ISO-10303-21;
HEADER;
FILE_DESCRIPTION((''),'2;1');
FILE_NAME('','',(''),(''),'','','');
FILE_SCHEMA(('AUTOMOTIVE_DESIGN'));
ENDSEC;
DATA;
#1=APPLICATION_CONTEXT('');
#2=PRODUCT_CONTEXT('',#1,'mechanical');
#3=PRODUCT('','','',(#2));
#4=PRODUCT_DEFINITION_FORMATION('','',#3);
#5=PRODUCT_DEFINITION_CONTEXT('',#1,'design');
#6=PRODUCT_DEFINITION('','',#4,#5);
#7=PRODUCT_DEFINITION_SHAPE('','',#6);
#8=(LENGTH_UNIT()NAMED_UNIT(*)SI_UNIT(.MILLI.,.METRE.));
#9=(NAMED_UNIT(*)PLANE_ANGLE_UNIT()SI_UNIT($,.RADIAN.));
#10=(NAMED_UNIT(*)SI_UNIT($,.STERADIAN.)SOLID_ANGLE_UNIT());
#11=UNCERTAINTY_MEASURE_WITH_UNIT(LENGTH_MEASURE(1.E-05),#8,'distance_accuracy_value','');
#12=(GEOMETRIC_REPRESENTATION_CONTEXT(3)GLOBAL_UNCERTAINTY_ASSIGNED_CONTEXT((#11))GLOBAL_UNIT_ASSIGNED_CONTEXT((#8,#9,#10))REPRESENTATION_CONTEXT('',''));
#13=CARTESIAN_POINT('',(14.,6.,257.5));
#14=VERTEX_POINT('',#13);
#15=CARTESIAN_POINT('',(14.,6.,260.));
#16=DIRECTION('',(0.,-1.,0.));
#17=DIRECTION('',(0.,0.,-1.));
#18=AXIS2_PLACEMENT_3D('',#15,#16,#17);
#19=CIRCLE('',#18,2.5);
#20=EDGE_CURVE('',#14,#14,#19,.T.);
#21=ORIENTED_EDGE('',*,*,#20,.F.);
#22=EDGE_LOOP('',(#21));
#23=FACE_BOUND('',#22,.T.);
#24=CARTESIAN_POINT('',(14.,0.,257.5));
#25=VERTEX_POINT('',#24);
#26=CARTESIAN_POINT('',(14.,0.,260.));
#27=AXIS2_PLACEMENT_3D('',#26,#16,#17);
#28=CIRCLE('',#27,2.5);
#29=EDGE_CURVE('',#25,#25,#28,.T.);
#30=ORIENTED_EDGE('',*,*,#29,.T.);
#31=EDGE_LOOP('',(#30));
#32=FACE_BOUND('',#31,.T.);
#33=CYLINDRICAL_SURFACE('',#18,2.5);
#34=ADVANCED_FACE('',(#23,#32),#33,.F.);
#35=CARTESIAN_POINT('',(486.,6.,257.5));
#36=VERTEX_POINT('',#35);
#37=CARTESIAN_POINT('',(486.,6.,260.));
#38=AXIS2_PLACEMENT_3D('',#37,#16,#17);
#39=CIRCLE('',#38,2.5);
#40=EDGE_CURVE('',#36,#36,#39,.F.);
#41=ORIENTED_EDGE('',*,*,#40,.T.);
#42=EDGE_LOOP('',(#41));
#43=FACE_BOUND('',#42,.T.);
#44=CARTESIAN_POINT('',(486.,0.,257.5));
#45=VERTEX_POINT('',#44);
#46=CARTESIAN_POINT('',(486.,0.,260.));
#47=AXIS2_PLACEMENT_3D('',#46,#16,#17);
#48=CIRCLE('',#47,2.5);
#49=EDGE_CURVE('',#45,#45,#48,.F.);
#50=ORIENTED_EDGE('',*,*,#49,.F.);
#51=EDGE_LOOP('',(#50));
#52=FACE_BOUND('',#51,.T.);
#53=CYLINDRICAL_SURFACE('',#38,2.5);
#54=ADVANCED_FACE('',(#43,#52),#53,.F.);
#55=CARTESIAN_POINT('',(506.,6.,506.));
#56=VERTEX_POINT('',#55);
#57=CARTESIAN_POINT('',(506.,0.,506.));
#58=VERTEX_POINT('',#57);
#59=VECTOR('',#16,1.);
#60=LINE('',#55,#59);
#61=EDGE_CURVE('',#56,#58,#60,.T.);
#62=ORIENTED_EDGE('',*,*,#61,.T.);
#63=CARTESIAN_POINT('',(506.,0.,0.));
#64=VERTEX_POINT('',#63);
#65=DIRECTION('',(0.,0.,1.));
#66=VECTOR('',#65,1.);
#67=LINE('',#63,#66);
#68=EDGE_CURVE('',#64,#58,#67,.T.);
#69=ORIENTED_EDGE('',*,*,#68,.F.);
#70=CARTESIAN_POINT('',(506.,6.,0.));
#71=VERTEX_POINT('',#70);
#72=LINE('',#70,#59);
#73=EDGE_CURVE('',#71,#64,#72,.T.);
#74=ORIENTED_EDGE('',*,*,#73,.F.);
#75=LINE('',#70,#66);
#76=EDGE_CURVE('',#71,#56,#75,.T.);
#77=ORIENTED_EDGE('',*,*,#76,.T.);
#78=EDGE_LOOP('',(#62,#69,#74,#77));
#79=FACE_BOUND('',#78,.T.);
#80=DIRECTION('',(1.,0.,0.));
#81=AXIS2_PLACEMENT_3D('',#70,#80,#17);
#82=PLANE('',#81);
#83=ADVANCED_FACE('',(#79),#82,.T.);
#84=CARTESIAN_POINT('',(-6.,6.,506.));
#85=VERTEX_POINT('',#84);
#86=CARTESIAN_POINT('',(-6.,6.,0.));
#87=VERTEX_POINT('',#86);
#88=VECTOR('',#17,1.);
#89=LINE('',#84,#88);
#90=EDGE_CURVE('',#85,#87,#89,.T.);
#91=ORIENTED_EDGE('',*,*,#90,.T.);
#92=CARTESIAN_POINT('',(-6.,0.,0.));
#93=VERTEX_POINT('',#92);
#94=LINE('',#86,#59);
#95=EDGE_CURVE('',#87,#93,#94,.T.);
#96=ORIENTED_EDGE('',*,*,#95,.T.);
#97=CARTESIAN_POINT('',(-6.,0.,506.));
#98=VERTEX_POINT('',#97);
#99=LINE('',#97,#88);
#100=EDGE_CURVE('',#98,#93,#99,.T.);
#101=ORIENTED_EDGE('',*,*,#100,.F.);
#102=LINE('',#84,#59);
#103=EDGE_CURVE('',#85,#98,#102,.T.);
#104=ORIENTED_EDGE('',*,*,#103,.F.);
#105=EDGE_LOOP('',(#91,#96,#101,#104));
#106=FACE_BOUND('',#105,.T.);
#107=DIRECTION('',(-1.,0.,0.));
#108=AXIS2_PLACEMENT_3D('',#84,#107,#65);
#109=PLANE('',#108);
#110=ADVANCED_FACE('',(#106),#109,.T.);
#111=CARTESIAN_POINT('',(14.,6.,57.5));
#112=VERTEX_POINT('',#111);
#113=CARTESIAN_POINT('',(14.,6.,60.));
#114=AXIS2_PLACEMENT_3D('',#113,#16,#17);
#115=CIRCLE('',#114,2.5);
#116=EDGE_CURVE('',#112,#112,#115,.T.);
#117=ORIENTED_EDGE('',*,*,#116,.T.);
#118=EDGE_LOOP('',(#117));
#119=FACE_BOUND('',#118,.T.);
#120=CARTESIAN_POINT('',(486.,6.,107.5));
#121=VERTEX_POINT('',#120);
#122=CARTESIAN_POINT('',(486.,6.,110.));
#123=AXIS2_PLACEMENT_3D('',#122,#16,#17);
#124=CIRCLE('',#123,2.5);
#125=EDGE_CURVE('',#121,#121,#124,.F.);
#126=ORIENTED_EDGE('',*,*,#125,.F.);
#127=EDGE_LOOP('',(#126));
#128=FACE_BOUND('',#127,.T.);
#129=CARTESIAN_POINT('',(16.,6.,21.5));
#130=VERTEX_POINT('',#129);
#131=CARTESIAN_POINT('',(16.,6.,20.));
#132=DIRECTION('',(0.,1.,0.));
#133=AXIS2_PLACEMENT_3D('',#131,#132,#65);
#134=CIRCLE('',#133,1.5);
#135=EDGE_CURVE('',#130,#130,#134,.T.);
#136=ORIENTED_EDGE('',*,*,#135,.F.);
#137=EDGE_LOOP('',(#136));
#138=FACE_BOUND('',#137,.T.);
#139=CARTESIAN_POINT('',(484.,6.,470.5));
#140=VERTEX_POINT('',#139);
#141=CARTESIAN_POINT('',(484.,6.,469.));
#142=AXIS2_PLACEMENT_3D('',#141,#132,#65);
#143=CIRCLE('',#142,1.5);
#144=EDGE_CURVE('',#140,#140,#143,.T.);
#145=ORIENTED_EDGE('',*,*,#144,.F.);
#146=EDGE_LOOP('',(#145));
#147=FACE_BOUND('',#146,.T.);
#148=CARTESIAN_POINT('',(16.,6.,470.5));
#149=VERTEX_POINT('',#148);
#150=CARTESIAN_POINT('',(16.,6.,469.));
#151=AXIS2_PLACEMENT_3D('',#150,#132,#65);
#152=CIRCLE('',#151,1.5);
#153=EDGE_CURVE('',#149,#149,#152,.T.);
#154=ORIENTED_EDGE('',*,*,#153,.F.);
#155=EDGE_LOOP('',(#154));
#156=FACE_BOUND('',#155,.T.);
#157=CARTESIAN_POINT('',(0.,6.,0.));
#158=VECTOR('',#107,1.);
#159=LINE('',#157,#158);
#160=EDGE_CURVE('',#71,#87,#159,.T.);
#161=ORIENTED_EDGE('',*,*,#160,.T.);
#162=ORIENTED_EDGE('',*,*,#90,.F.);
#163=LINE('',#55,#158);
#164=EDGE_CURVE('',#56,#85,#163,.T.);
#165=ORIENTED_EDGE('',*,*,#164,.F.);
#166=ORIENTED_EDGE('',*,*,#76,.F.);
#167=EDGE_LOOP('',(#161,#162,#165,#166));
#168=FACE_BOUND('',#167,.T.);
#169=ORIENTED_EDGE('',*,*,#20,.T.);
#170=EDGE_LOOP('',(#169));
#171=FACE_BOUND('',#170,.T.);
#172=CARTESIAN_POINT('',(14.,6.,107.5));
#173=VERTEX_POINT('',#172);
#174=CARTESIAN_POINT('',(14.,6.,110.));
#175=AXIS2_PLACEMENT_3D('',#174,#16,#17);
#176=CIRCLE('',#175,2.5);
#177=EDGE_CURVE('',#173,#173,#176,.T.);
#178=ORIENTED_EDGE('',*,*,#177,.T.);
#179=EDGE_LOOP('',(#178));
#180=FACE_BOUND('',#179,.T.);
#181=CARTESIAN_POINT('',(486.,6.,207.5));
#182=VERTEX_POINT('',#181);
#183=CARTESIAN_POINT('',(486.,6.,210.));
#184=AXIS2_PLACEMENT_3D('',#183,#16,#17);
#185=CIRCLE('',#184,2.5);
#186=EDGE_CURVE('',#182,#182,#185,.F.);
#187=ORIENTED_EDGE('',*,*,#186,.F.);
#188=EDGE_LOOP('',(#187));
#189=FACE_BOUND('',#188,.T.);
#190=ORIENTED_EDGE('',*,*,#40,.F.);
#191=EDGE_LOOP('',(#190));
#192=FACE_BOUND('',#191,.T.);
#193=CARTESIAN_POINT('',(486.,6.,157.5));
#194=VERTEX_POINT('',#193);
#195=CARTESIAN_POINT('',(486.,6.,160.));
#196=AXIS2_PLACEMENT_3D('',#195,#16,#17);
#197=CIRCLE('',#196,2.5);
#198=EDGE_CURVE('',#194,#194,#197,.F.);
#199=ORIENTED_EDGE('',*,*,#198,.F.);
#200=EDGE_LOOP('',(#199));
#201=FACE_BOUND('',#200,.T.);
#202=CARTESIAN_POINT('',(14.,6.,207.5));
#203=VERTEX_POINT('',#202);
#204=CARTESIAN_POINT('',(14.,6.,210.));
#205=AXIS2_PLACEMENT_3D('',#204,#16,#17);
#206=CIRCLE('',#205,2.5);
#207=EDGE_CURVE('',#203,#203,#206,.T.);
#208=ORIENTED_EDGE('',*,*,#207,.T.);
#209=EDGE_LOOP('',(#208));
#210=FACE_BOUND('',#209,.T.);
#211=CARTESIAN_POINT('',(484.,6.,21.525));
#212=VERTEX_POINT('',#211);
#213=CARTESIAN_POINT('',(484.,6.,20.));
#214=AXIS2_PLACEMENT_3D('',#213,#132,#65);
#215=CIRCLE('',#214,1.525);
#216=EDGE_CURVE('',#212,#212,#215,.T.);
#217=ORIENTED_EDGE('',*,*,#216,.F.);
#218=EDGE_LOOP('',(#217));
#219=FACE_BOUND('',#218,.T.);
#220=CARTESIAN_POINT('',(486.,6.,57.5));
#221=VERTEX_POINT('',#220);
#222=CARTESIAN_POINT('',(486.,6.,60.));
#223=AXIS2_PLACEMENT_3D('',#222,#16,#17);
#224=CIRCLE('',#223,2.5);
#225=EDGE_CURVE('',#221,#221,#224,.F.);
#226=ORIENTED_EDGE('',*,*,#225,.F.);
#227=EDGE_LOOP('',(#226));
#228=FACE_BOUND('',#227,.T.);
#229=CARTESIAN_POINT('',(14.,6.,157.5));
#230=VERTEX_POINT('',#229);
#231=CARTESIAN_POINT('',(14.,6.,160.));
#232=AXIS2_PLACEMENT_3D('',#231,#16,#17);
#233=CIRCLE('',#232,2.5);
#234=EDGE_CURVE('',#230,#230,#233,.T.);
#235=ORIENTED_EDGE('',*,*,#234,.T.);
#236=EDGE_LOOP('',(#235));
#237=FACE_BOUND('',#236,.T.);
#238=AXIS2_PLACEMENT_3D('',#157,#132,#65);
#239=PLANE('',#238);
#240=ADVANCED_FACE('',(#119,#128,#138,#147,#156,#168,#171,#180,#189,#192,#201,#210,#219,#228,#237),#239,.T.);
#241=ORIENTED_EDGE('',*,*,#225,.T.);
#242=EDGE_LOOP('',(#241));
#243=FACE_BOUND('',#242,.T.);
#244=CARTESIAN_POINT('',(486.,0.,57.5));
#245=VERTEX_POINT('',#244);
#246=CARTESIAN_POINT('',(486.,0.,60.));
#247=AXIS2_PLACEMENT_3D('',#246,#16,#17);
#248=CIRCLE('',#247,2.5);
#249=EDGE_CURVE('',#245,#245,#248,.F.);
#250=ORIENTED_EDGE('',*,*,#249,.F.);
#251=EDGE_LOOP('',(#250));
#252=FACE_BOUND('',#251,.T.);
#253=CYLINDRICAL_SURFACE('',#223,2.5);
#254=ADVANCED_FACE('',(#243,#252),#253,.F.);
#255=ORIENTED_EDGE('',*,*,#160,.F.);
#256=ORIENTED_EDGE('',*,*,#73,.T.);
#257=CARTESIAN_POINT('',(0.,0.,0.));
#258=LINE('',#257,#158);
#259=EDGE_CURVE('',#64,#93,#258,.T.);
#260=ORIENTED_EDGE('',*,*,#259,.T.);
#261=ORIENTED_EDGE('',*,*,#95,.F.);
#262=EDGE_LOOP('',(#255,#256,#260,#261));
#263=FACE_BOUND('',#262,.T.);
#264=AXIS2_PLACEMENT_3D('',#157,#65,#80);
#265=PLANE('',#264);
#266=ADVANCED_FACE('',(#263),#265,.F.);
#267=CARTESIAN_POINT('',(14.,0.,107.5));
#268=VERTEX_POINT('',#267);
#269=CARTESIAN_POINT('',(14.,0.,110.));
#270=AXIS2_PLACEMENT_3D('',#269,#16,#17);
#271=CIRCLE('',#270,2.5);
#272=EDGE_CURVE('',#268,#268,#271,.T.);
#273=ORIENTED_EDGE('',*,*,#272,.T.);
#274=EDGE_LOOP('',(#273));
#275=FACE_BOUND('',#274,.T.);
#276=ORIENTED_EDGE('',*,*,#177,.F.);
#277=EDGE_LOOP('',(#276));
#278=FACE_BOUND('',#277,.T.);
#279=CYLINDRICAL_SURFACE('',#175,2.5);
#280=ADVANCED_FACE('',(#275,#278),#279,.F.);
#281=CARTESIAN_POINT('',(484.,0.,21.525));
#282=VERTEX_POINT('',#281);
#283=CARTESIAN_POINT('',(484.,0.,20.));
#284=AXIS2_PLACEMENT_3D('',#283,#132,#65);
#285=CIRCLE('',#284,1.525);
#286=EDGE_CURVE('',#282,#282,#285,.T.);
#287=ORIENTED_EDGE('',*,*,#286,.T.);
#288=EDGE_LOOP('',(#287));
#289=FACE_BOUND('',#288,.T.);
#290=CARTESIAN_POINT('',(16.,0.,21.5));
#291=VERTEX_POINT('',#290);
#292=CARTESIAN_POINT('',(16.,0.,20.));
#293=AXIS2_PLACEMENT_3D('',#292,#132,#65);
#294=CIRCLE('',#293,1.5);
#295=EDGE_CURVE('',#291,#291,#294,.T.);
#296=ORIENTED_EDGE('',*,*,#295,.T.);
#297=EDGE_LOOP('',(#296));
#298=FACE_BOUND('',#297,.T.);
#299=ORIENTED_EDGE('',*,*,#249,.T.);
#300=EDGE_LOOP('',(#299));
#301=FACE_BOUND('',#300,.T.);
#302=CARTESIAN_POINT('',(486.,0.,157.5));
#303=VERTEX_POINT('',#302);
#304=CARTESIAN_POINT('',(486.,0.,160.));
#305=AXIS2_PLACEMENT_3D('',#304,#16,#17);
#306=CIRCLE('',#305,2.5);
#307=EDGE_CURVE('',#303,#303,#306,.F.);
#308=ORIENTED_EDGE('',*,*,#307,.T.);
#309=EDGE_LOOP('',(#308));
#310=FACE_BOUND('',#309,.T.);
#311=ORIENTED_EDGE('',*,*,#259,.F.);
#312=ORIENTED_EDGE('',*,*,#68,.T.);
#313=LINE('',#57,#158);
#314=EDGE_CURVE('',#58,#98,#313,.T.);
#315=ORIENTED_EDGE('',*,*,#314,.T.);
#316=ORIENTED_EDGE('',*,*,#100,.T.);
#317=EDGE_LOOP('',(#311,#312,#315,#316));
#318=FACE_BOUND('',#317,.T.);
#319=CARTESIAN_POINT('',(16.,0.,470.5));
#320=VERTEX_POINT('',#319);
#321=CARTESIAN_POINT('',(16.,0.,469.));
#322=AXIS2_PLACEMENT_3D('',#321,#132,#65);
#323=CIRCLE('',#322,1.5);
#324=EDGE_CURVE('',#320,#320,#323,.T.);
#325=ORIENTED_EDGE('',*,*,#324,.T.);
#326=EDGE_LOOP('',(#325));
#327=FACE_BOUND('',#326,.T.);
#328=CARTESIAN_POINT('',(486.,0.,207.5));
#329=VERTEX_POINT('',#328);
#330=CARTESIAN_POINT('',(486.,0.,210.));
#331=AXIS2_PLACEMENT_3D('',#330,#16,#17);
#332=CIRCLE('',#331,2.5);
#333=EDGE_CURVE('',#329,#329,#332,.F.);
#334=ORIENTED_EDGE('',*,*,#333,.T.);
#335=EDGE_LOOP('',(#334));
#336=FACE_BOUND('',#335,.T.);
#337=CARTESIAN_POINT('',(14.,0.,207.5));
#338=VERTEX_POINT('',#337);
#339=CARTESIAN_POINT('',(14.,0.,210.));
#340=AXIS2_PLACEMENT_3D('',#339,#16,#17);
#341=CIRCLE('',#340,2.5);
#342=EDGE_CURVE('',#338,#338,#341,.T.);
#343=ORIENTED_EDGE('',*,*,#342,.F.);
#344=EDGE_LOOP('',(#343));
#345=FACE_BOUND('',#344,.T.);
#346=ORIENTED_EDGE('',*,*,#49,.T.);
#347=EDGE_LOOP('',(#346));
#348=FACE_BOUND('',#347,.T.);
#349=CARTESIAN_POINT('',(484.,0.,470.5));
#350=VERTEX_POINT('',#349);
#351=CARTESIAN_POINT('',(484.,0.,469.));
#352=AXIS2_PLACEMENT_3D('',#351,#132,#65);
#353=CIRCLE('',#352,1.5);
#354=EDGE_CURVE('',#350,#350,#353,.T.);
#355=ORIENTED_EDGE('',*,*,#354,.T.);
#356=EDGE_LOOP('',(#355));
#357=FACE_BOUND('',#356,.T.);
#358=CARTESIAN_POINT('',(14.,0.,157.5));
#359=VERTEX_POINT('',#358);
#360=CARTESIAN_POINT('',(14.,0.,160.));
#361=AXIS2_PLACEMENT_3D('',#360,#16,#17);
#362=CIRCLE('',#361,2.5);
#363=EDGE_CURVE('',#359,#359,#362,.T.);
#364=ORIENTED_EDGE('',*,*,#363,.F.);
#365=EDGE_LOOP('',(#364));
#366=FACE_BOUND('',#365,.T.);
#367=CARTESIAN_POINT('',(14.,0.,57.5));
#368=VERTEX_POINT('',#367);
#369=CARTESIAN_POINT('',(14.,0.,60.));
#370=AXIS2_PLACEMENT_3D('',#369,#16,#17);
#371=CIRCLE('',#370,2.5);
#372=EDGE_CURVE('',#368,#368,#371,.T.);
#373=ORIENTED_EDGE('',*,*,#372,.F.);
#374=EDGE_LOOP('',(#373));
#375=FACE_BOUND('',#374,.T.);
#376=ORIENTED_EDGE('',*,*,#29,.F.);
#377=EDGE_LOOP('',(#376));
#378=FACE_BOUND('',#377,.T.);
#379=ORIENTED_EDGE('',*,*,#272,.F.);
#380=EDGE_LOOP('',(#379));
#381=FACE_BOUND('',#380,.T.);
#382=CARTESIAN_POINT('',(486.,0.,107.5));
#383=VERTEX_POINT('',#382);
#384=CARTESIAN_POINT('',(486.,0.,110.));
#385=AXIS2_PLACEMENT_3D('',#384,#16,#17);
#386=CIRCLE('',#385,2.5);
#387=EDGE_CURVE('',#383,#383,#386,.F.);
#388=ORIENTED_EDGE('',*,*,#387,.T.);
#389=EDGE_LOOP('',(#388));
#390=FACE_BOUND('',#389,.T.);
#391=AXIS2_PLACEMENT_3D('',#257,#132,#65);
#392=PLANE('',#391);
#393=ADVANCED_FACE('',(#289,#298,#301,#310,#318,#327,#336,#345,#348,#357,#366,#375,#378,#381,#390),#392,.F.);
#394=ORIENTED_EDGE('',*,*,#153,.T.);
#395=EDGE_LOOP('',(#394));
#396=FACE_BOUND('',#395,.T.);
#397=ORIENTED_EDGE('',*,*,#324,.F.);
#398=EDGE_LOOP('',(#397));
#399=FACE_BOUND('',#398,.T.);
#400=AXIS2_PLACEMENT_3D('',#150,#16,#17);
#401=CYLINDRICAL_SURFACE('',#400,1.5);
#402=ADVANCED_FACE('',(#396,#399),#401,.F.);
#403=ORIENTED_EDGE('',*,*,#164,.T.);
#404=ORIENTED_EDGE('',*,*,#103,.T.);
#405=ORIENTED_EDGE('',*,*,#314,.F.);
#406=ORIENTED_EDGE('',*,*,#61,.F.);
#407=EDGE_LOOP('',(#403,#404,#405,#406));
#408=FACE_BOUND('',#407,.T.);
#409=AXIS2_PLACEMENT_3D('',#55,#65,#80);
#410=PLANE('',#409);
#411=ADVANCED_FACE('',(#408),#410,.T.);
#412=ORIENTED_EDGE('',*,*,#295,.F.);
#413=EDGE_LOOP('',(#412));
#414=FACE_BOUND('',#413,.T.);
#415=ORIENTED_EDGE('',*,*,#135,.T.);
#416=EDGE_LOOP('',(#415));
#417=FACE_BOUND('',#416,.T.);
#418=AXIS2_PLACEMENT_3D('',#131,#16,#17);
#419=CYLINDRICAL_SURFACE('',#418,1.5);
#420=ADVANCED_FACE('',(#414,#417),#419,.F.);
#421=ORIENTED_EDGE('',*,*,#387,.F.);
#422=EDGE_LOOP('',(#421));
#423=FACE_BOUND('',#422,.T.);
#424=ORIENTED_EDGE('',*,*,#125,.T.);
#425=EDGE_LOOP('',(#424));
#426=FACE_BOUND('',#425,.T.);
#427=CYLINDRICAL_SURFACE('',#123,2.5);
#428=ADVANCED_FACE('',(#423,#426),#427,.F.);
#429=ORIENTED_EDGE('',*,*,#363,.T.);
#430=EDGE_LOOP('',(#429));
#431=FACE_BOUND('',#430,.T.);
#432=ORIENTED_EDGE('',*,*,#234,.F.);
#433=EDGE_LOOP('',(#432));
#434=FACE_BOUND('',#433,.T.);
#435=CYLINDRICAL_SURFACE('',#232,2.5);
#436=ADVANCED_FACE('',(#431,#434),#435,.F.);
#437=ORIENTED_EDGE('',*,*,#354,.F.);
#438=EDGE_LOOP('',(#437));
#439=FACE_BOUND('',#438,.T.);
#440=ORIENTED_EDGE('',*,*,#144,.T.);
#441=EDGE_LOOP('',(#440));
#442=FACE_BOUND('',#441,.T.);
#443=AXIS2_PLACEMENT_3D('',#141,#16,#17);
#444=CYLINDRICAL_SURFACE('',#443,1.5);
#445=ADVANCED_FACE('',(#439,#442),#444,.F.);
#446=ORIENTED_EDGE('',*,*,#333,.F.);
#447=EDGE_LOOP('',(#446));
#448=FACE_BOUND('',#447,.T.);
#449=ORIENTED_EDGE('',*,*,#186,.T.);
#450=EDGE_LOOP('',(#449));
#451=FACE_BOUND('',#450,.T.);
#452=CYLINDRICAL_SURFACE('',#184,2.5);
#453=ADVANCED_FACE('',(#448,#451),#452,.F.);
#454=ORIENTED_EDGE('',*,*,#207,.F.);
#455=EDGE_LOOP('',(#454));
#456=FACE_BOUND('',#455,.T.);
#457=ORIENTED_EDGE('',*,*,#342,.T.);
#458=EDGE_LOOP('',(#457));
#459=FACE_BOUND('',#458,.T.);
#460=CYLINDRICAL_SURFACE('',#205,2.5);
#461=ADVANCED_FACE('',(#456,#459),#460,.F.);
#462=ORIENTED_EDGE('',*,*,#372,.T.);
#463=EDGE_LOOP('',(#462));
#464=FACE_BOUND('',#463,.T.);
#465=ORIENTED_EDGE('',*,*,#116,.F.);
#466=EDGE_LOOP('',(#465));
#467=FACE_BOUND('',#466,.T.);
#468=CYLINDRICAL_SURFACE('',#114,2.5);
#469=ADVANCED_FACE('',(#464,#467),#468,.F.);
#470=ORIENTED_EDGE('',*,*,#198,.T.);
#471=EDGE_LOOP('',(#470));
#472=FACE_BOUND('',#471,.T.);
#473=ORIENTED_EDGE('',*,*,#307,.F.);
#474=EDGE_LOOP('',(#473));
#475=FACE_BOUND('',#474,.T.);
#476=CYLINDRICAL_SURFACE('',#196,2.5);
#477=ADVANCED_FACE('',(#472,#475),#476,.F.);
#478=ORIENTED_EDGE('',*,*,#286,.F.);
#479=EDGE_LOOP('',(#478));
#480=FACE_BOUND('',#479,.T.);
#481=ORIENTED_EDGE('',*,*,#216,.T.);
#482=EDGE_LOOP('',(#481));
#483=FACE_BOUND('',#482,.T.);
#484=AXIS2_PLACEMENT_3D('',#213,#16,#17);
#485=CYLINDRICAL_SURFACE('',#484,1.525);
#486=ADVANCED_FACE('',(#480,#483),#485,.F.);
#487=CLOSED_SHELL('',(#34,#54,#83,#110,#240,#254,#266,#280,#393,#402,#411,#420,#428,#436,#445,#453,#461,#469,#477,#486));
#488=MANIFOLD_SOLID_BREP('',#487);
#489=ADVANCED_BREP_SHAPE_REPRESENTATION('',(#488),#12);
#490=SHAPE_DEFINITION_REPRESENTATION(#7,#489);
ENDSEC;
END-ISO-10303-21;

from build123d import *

# Parameters (mm, degrees)
SKETCH1_W           = 500
SKETCH1_H           = 500
SKETCH1_R           = 1.525
SKETCH1_R_2         = 1.5
BOSS_EXTRUDE1_DEPTH = 6
BOSS_EXTRUDE2_DEPTH = 6
SKETCH3_R           = 2.5
CUT_EXTRUDE1_DEPTH  = 7


with BuildPart() as part:
    # Sketch1 → Boss-Extrude1 (new body)
    with BuildSketch(Plane(origin=(0, 0, 0), x_dir=(1, 0, 0), z_dir=(0, 1, 0))):
        with Locations((250, -250)):
            Rectangle(SKETCH1_W, SKETCH1_H)
        with Locations((484, -20)):
            Circle(SKETCH1_R, mode=Mode.SUBTRACT)
        with Locations((16, -20)):
            Circle(SKETCH1_R_2, mode=Mode.SUBTRACT)
        with Locations((484, -469)):
            Circle(SKETCH1_R_2, mode=Mode.SUBTRACT)
        with Locations((16, -469)):
            Circle(SKETCH1_R_2, mode=Mode.SUBTRACT)
    extrude(amount=BOSS_EXTRUDE1_DEPTH)

    # Sketch2 → Boss-Extrude2 (add)
    with BuildSketch(Plane.XZ):
        Polygon((-6, 506), (-6, 0), (0, 0), (0, 500), (500, 500), (500, 0), (506, 0), (506, 506), align=None)
    extrude(amount=-BOSS_EXTRUDE2_DEPTH)

    # Sketch3 → Cut-Extrude1 (cut, through all)
    with BuildSketch(Plane.XZ):
        with Locations((14, 60)):
            Circle(SKETCH3_R)
        with Locations((14, 110)):
            Circle(SKETCH3_R)
        with Locations((14, 160)):
            Circle(SKETCH3_R)
        with Locations((14, 210)):
            Circle(SKETCH3_R)
        with Locations((14, 260)):
            Circle(SKETCH3_R)
        with Locations((486, 60)):
            Circle(SKETCH3_R)
        with Locations((486, 110)):
            Circle(SKETCH3_R)
        with Locations((486, 160)):
            Circle(SKETCH3_R)
        with Locations((486, 210)):
            Circle(SKETCH3_R)
        with Locations((486, 260)):
            Circle(SKETCH3_R)
    extrude(amount=-CUT_EXTRUDE1_DEPTH, mode=Mode.SUBTRACT)


solid = part.part
